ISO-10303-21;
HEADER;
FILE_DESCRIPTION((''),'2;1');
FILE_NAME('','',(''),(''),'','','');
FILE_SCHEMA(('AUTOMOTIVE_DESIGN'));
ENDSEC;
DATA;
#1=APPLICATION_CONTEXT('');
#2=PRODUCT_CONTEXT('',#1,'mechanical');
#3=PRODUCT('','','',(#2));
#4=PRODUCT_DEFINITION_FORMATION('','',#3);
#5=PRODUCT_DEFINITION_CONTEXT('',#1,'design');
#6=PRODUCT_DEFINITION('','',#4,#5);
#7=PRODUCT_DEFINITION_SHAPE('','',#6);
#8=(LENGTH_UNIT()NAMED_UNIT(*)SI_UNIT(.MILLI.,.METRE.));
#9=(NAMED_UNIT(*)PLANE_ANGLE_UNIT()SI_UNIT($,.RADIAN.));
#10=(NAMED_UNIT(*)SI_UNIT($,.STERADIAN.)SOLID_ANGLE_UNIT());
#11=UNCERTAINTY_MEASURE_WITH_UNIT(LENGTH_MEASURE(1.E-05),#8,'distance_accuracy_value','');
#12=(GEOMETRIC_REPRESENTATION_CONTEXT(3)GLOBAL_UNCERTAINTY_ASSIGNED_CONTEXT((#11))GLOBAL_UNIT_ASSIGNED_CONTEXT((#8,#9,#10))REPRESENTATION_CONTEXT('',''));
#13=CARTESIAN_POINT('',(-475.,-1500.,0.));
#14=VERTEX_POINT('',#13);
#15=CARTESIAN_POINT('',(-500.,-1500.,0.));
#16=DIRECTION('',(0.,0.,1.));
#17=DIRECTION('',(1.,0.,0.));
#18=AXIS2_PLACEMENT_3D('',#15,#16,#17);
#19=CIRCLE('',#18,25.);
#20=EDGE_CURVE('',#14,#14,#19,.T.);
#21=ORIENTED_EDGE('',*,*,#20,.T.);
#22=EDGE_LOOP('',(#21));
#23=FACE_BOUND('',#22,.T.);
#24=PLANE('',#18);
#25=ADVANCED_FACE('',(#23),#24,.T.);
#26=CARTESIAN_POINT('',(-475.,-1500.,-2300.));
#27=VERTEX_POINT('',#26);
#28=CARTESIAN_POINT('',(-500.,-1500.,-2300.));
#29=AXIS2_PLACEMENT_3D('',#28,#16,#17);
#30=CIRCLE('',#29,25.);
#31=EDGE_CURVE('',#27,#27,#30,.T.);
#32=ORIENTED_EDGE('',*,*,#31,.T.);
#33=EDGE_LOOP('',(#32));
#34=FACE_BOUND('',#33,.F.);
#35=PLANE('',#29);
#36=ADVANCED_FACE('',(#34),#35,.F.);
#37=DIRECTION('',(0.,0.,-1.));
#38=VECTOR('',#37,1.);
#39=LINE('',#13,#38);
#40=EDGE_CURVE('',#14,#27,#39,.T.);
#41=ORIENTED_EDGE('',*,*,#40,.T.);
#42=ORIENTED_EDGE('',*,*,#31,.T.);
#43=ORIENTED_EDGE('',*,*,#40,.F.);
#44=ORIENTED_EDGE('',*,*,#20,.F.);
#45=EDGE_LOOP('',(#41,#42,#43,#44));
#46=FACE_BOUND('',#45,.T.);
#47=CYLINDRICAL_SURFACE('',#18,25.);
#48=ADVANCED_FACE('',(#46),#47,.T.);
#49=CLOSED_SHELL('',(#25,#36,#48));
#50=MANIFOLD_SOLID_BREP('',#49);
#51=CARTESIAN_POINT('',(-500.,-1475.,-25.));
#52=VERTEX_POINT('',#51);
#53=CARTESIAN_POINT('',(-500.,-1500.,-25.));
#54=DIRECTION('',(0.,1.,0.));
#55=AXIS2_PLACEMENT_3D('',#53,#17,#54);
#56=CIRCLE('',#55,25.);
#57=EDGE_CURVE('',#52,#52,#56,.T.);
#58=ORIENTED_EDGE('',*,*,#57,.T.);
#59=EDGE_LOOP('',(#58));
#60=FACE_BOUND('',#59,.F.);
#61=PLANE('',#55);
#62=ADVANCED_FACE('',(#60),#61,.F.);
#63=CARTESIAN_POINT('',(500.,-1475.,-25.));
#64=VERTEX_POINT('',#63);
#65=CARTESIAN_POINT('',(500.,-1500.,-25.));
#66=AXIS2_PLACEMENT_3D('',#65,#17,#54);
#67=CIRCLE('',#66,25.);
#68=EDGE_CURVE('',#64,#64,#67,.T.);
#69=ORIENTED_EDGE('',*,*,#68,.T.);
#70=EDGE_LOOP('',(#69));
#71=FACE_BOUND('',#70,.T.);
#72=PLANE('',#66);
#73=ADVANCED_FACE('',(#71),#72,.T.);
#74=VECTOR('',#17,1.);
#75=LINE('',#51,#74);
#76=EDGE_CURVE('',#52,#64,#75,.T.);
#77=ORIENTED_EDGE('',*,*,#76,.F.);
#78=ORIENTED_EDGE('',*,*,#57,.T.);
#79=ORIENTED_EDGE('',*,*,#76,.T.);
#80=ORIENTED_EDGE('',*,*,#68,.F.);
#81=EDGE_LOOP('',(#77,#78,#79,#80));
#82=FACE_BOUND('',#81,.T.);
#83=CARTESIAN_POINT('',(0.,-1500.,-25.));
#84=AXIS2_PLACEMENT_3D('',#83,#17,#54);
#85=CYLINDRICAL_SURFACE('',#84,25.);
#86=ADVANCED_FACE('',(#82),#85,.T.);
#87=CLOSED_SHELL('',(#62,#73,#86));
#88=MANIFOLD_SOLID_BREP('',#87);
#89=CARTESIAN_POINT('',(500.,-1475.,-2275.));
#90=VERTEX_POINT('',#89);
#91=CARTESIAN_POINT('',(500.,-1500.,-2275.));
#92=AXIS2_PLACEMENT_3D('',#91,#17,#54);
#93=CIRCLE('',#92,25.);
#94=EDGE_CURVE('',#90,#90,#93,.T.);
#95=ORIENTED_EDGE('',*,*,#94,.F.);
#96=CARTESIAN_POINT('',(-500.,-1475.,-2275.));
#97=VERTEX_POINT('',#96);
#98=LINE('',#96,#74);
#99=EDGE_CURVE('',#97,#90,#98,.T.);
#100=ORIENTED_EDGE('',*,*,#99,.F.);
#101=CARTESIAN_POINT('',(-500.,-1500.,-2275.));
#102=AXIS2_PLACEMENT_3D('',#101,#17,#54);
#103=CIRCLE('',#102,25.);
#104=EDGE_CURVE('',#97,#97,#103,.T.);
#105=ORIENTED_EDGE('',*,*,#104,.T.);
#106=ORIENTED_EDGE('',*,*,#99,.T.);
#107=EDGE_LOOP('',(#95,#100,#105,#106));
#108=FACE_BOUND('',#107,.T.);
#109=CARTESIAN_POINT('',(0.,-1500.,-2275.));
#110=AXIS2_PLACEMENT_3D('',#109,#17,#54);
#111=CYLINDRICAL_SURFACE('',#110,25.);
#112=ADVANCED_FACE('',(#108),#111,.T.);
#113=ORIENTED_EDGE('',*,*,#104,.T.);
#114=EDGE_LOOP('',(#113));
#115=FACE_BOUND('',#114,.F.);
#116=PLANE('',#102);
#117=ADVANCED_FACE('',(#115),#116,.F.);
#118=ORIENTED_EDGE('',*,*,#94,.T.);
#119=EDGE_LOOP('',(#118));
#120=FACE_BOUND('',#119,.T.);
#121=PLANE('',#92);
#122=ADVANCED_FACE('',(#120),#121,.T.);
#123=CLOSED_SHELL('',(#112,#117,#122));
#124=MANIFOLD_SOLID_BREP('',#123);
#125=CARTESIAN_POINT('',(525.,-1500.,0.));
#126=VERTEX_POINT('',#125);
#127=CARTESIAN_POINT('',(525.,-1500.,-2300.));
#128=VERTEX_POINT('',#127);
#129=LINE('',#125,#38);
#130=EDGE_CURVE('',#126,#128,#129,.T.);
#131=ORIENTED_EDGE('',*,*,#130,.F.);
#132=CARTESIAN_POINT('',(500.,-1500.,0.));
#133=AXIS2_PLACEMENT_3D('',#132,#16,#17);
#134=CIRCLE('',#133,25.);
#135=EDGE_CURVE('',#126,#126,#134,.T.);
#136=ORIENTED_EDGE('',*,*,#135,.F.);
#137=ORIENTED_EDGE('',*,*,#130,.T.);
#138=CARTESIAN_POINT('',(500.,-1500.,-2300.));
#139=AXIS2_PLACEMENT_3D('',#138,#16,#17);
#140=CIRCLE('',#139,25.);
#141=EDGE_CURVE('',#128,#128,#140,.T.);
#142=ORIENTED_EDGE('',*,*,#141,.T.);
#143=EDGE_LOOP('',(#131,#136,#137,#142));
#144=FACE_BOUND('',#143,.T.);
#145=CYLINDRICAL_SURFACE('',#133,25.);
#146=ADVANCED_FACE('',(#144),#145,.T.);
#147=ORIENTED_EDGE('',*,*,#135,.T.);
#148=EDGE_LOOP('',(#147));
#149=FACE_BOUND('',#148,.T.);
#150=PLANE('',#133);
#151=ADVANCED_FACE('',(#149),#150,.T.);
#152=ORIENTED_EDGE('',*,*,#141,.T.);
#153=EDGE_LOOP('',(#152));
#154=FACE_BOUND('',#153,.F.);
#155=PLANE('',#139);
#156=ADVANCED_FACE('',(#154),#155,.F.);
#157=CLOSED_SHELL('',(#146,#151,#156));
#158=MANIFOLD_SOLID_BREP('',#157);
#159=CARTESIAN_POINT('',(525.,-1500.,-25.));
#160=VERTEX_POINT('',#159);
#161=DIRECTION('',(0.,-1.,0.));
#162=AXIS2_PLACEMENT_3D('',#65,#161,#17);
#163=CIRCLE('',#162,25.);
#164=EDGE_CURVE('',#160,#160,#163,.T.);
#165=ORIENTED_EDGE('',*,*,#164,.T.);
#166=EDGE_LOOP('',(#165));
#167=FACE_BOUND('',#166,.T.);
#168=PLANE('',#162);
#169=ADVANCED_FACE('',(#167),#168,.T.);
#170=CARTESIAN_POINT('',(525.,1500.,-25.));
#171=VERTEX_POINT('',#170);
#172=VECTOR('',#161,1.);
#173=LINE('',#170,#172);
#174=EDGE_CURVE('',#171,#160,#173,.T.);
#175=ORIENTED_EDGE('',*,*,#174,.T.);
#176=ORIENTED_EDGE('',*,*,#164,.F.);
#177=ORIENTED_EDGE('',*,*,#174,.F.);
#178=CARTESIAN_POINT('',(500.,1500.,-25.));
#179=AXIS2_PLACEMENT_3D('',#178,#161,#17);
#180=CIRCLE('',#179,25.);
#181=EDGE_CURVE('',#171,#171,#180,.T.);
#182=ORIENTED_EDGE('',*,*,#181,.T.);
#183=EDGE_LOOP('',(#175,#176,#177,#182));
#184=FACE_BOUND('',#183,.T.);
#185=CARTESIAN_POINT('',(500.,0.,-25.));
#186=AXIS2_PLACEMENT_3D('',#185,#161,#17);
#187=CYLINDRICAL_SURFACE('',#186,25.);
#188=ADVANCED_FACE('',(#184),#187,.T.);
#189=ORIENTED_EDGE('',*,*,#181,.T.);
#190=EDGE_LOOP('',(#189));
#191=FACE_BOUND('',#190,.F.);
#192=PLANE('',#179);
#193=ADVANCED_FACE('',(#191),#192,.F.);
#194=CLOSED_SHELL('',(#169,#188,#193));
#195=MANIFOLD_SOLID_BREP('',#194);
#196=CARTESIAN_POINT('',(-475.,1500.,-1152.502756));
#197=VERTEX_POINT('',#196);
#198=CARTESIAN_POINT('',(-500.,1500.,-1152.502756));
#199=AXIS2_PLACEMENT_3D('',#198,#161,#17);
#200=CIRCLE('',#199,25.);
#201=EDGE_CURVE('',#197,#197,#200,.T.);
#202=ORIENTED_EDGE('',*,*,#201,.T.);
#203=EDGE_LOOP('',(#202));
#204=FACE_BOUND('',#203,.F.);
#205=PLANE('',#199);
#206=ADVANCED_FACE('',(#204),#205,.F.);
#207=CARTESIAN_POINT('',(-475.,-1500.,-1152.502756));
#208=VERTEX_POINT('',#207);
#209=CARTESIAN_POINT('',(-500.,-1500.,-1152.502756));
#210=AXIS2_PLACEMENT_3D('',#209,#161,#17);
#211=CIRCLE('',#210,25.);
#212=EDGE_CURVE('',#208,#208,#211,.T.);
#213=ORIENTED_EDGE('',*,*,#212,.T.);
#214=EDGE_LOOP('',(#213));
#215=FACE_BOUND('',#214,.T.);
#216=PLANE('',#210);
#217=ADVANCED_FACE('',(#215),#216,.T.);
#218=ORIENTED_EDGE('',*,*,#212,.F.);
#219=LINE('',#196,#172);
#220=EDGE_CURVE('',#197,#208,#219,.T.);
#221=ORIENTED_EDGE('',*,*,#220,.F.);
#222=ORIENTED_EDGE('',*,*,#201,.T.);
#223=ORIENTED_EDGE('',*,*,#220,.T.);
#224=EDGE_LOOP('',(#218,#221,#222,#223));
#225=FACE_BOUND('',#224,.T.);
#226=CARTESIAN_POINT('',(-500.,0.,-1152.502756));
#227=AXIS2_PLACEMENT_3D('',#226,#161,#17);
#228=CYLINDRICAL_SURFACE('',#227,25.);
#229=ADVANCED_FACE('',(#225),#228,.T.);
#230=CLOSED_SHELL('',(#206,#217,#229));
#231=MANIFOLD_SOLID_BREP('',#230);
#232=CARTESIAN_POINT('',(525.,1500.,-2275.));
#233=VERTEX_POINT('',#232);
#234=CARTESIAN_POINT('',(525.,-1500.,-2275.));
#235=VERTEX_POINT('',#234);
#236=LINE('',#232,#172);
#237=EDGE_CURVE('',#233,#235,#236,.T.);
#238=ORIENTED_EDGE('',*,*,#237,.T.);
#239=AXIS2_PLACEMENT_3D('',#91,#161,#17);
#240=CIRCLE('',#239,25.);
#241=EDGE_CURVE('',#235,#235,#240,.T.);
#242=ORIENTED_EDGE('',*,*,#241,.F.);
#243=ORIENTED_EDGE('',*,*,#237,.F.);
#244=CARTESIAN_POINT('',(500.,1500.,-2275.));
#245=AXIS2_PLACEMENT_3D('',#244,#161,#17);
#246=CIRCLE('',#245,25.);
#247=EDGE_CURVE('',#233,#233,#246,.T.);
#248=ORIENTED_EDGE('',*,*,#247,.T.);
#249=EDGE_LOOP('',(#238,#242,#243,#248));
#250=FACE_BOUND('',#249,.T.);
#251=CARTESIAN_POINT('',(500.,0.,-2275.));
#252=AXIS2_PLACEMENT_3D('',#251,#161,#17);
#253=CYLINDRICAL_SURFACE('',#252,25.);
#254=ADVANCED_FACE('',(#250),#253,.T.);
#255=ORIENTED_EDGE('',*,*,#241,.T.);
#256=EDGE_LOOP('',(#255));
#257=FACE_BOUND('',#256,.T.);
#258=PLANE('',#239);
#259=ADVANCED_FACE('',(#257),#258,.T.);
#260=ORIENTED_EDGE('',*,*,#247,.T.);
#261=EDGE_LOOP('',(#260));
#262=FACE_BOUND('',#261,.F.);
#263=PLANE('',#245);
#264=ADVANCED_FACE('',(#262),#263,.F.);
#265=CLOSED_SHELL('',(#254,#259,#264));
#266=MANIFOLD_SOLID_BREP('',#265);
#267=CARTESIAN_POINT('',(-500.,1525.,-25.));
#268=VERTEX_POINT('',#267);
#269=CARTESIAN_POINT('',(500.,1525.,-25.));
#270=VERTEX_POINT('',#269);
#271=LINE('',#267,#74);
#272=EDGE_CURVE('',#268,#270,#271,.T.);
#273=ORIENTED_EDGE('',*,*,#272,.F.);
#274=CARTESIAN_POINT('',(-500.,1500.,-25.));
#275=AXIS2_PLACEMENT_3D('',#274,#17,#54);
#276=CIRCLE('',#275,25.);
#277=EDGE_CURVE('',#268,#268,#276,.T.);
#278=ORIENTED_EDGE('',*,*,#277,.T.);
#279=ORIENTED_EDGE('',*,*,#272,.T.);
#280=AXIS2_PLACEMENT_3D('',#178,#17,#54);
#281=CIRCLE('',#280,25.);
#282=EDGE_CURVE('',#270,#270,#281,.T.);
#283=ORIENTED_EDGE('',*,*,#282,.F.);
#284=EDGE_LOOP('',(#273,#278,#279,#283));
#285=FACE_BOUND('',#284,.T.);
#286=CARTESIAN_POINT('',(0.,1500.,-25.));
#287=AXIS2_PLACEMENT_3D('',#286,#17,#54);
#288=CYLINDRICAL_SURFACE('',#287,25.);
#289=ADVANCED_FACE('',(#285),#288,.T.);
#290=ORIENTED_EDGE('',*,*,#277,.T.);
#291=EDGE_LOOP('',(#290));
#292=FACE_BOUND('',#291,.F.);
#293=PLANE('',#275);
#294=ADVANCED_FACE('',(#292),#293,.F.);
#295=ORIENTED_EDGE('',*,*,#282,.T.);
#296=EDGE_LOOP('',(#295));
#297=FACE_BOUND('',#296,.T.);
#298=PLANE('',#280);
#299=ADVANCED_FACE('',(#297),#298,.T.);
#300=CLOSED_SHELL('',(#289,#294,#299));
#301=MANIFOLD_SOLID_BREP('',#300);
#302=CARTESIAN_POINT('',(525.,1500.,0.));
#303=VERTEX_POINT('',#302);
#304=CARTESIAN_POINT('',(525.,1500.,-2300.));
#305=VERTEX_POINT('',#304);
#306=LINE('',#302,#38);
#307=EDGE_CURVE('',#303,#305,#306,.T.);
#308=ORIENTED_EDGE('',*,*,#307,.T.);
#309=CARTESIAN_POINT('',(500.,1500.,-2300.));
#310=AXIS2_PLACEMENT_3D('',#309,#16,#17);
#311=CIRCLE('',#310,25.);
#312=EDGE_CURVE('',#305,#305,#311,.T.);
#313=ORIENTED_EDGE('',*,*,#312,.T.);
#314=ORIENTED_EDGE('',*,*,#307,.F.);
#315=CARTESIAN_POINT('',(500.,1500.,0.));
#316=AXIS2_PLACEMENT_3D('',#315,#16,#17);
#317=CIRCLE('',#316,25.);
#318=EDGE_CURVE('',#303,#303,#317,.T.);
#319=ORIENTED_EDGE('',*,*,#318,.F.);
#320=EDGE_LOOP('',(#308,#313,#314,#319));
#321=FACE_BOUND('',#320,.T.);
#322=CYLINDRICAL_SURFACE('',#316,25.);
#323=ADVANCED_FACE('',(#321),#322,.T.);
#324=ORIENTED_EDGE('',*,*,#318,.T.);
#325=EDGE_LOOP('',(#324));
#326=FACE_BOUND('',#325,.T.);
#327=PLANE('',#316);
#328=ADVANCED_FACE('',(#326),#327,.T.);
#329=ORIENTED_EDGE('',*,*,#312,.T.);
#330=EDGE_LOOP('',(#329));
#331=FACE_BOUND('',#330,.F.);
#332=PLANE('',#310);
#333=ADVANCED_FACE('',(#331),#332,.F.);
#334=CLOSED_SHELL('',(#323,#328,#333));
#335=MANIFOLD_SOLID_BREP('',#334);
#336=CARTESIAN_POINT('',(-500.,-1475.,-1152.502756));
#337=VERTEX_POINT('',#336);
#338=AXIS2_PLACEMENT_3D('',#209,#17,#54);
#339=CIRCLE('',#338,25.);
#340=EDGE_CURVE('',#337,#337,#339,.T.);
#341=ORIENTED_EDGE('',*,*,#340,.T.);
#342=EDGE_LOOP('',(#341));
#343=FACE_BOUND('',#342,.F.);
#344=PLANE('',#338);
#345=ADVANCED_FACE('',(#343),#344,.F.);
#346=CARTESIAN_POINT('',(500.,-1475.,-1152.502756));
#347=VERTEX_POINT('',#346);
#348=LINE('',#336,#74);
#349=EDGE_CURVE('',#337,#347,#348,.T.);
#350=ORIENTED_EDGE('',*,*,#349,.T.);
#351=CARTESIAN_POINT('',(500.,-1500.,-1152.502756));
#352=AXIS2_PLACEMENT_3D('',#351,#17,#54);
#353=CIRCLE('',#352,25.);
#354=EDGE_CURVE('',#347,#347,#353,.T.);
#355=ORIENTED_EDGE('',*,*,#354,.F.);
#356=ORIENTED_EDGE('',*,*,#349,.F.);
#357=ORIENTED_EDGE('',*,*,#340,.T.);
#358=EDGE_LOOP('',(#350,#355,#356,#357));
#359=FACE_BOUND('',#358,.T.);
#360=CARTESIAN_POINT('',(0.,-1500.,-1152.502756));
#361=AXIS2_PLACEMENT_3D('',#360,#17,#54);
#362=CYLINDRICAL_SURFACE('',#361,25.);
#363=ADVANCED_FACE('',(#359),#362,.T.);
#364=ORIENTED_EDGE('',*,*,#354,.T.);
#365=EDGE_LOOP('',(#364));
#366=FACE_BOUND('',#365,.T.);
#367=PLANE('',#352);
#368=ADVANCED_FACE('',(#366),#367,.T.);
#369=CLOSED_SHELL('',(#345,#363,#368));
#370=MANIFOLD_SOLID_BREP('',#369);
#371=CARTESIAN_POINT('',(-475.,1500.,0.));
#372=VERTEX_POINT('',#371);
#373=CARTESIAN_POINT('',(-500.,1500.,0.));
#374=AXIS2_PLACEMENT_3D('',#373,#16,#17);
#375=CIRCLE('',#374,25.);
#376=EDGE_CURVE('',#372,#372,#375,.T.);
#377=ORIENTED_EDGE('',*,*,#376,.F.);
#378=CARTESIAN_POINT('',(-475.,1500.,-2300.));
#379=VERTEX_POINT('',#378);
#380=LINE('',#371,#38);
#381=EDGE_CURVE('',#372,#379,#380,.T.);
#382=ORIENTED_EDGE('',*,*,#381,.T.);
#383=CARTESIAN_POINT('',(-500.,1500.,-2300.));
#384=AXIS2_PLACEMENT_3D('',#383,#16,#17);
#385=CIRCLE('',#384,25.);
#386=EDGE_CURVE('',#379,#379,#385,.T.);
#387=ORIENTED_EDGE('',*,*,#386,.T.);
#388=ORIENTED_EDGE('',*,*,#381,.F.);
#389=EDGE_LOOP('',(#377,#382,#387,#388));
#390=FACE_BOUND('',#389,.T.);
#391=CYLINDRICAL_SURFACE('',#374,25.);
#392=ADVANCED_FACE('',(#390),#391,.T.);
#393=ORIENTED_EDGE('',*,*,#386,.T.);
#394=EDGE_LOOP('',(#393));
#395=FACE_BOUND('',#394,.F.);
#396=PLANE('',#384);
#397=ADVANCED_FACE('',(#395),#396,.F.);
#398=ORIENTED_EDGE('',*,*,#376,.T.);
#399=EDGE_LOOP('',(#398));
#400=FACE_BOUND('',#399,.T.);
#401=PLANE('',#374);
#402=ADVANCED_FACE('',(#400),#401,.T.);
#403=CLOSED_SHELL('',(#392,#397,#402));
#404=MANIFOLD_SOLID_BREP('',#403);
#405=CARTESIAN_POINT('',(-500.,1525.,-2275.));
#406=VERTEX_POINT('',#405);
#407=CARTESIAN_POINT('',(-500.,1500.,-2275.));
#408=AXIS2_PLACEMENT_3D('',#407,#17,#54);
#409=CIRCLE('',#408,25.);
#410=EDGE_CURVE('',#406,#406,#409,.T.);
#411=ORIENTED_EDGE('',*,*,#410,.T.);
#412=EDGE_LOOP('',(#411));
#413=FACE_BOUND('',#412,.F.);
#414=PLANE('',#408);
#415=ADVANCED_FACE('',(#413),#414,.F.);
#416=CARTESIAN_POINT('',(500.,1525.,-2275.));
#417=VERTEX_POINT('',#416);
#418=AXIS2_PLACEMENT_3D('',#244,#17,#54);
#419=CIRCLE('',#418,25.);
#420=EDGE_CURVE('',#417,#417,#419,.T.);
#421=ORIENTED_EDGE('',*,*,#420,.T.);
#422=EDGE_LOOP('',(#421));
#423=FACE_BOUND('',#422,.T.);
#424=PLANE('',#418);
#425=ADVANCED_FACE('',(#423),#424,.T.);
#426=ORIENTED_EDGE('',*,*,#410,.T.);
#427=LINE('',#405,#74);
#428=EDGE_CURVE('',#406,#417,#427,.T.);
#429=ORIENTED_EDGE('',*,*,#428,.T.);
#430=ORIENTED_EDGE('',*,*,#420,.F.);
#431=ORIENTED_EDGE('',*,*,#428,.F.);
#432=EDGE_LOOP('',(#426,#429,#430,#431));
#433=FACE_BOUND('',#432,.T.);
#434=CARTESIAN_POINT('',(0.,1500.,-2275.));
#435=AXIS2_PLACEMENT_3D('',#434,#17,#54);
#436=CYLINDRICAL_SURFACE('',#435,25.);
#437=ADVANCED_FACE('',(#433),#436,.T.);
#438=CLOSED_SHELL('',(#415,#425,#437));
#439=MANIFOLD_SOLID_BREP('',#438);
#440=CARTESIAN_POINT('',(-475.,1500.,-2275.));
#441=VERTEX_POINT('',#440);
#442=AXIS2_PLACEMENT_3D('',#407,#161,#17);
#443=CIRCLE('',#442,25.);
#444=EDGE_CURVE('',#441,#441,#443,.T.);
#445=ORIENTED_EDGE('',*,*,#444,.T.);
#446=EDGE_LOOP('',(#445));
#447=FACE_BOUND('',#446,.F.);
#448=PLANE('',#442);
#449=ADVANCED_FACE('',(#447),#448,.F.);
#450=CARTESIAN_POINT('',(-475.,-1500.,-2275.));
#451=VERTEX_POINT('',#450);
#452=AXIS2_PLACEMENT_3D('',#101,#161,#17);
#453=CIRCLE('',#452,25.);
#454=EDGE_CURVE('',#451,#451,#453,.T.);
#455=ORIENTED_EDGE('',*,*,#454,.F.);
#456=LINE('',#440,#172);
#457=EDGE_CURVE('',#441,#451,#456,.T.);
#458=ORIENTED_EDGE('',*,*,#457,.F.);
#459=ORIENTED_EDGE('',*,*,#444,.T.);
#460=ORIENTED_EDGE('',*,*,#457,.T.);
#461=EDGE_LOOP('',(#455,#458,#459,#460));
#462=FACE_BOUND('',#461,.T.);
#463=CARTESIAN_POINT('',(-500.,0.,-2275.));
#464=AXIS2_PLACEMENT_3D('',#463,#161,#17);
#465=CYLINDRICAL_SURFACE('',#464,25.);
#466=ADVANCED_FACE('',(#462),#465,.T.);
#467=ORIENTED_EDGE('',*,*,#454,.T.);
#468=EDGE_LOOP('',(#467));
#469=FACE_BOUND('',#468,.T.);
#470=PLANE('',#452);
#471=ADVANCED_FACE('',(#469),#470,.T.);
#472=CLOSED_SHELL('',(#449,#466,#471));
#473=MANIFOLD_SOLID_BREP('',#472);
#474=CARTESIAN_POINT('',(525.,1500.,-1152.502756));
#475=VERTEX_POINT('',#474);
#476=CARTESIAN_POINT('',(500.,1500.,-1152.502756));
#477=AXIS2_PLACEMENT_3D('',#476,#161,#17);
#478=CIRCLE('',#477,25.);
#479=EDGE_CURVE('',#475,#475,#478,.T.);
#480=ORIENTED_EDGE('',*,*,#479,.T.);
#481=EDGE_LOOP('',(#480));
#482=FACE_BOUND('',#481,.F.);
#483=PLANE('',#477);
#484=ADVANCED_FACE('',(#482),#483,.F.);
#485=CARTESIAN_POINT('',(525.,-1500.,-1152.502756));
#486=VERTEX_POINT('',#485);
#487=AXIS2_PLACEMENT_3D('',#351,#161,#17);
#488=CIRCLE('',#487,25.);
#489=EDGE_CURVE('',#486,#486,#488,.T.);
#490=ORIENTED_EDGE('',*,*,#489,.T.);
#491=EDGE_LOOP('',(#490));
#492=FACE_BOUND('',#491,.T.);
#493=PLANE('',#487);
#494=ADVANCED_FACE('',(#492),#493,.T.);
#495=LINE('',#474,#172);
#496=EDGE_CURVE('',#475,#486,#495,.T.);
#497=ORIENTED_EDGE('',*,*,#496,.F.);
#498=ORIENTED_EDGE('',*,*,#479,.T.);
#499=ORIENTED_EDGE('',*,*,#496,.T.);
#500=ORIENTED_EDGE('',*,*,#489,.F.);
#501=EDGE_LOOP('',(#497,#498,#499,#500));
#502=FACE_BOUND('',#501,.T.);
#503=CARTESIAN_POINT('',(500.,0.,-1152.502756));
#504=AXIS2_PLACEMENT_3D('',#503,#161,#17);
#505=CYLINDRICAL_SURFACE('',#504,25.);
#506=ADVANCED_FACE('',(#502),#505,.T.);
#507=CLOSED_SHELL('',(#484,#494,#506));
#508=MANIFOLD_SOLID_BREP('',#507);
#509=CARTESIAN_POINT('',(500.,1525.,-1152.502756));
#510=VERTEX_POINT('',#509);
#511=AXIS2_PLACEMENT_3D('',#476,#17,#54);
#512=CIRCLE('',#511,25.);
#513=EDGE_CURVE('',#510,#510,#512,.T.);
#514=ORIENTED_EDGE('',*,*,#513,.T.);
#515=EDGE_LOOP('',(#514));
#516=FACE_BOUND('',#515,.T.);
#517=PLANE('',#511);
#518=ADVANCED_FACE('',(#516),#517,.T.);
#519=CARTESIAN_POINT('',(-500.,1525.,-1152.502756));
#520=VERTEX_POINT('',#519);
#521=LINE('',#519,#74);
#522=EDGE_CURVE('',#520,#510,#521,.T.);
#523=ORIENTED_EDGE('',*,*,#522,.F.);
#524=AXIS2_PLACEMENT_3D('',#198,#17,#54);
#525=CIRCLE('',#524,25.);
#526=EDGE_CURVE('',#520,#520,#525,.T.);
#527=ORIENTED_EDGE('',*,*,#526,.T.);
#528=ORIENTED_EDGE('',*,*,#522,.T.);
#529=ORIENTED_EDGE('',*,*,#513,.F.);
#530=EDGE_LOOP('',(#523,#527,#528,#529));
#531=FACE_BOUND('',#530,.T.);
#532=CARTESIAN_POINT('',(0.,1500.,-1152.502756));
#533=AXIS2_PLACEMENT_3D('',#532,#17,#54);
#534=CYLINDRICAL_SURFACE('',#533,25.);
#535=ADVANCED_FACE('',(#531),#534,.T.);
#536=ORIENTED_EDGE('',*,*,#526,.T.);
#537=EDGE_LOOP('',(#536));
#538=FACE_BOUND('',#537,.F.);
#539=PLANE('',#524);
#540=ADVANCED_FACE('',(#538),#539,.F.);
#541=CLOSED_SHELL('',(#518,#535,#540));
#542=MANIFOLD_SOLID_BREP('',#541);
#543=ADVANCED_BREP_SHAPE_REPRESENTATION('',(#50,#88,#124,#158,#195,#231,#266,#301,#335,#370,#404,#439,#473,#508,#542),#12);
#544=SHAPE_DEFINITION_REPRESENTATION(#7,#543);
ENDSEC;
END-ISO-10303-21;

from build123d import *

# Parameters (mm, degrees)
F1_R          = 25
F2_DEPTH      = 2300
F3_R          = 25
F4_DEPTH      = 1500
F4_DEPTH_BACK = 1500
F5_R          = 25
F6_DEPTH      = 500
F6_DEPTH_BACK = 500
F7_R          = 25
F8_DEPTH      = 500
F8_DEPTH_BACK = 500


with BuildPart() as f2:
    # F1 (on Top) → F2 (new body)
    with BuildSketch(Plane.XY):
        with Locations((-500, 1500)):
            Circle(F1_R)
        with Locations((500, 1500)):
            Circle(F1_R)
        with Locations((500, -1500)):
            Circle(F1_R)
        with Locations((-500, -1500)):
            Circle(F1_R)
    extrude(amount=-F2_DEPTH)


with BuildPart() as f4:
    # F3 (on Front) → F4 (new body, two sides)
    with BuildSketch(Plane.XZ) as f4_sk:
        with Locations((500, -2275)):
            Circle(F3_R)
        with Locations((-500, -2275)):
            Circle(F3_R)
        with Locations((500, -25)):
            Circle(F3_R)
        with Locations((500, -1152.502756)):
            Circle(F3_R)
        with Locations((-500, -1152.502756)):
            Circle(F3_R)
    extrude(amount=F4_DEPTH)
    extrude(f4_sk.sketch, amount=-F4_DEPTH_BACK)


with BuildPart() as f6:
    # F5 (on face) → F6 (new body, two sides)
    with BuildSketch(Plane.YZ) as f6_sk:
        with Locations((-1500, -2275)):
            Circle(F5_R)
        with Locations((1500, -2275)):
            Circle(F5_R)
        with Locations((1500, -25)):
            Circle(F5_R)
        with Locations((-1500, -25)):
            Circle(F5_R)
    extrude(amount=F6_DEPTH)
    extrude(f6_sk.sketch, amount=-F6_DEPTH_BACK)


with BuildPart() as f8:
    # F7 (on face) → F8 (new body, two sides)
    with BuildSketch(Plane.YZ) as f8_sk:
        with Locations((-1500, -1152.502756)):
            Circle(F7_R)
        with Locations((1500, -1152.502756)):
            Circle(F7_R)
    extrude(amount=F8_DEPTH)
    extrude(f8_sk.sketch, amount=-F8_DEPTH_BACK)


solid = Compound([f2.part, f4.part, f6.part, f8.part])
